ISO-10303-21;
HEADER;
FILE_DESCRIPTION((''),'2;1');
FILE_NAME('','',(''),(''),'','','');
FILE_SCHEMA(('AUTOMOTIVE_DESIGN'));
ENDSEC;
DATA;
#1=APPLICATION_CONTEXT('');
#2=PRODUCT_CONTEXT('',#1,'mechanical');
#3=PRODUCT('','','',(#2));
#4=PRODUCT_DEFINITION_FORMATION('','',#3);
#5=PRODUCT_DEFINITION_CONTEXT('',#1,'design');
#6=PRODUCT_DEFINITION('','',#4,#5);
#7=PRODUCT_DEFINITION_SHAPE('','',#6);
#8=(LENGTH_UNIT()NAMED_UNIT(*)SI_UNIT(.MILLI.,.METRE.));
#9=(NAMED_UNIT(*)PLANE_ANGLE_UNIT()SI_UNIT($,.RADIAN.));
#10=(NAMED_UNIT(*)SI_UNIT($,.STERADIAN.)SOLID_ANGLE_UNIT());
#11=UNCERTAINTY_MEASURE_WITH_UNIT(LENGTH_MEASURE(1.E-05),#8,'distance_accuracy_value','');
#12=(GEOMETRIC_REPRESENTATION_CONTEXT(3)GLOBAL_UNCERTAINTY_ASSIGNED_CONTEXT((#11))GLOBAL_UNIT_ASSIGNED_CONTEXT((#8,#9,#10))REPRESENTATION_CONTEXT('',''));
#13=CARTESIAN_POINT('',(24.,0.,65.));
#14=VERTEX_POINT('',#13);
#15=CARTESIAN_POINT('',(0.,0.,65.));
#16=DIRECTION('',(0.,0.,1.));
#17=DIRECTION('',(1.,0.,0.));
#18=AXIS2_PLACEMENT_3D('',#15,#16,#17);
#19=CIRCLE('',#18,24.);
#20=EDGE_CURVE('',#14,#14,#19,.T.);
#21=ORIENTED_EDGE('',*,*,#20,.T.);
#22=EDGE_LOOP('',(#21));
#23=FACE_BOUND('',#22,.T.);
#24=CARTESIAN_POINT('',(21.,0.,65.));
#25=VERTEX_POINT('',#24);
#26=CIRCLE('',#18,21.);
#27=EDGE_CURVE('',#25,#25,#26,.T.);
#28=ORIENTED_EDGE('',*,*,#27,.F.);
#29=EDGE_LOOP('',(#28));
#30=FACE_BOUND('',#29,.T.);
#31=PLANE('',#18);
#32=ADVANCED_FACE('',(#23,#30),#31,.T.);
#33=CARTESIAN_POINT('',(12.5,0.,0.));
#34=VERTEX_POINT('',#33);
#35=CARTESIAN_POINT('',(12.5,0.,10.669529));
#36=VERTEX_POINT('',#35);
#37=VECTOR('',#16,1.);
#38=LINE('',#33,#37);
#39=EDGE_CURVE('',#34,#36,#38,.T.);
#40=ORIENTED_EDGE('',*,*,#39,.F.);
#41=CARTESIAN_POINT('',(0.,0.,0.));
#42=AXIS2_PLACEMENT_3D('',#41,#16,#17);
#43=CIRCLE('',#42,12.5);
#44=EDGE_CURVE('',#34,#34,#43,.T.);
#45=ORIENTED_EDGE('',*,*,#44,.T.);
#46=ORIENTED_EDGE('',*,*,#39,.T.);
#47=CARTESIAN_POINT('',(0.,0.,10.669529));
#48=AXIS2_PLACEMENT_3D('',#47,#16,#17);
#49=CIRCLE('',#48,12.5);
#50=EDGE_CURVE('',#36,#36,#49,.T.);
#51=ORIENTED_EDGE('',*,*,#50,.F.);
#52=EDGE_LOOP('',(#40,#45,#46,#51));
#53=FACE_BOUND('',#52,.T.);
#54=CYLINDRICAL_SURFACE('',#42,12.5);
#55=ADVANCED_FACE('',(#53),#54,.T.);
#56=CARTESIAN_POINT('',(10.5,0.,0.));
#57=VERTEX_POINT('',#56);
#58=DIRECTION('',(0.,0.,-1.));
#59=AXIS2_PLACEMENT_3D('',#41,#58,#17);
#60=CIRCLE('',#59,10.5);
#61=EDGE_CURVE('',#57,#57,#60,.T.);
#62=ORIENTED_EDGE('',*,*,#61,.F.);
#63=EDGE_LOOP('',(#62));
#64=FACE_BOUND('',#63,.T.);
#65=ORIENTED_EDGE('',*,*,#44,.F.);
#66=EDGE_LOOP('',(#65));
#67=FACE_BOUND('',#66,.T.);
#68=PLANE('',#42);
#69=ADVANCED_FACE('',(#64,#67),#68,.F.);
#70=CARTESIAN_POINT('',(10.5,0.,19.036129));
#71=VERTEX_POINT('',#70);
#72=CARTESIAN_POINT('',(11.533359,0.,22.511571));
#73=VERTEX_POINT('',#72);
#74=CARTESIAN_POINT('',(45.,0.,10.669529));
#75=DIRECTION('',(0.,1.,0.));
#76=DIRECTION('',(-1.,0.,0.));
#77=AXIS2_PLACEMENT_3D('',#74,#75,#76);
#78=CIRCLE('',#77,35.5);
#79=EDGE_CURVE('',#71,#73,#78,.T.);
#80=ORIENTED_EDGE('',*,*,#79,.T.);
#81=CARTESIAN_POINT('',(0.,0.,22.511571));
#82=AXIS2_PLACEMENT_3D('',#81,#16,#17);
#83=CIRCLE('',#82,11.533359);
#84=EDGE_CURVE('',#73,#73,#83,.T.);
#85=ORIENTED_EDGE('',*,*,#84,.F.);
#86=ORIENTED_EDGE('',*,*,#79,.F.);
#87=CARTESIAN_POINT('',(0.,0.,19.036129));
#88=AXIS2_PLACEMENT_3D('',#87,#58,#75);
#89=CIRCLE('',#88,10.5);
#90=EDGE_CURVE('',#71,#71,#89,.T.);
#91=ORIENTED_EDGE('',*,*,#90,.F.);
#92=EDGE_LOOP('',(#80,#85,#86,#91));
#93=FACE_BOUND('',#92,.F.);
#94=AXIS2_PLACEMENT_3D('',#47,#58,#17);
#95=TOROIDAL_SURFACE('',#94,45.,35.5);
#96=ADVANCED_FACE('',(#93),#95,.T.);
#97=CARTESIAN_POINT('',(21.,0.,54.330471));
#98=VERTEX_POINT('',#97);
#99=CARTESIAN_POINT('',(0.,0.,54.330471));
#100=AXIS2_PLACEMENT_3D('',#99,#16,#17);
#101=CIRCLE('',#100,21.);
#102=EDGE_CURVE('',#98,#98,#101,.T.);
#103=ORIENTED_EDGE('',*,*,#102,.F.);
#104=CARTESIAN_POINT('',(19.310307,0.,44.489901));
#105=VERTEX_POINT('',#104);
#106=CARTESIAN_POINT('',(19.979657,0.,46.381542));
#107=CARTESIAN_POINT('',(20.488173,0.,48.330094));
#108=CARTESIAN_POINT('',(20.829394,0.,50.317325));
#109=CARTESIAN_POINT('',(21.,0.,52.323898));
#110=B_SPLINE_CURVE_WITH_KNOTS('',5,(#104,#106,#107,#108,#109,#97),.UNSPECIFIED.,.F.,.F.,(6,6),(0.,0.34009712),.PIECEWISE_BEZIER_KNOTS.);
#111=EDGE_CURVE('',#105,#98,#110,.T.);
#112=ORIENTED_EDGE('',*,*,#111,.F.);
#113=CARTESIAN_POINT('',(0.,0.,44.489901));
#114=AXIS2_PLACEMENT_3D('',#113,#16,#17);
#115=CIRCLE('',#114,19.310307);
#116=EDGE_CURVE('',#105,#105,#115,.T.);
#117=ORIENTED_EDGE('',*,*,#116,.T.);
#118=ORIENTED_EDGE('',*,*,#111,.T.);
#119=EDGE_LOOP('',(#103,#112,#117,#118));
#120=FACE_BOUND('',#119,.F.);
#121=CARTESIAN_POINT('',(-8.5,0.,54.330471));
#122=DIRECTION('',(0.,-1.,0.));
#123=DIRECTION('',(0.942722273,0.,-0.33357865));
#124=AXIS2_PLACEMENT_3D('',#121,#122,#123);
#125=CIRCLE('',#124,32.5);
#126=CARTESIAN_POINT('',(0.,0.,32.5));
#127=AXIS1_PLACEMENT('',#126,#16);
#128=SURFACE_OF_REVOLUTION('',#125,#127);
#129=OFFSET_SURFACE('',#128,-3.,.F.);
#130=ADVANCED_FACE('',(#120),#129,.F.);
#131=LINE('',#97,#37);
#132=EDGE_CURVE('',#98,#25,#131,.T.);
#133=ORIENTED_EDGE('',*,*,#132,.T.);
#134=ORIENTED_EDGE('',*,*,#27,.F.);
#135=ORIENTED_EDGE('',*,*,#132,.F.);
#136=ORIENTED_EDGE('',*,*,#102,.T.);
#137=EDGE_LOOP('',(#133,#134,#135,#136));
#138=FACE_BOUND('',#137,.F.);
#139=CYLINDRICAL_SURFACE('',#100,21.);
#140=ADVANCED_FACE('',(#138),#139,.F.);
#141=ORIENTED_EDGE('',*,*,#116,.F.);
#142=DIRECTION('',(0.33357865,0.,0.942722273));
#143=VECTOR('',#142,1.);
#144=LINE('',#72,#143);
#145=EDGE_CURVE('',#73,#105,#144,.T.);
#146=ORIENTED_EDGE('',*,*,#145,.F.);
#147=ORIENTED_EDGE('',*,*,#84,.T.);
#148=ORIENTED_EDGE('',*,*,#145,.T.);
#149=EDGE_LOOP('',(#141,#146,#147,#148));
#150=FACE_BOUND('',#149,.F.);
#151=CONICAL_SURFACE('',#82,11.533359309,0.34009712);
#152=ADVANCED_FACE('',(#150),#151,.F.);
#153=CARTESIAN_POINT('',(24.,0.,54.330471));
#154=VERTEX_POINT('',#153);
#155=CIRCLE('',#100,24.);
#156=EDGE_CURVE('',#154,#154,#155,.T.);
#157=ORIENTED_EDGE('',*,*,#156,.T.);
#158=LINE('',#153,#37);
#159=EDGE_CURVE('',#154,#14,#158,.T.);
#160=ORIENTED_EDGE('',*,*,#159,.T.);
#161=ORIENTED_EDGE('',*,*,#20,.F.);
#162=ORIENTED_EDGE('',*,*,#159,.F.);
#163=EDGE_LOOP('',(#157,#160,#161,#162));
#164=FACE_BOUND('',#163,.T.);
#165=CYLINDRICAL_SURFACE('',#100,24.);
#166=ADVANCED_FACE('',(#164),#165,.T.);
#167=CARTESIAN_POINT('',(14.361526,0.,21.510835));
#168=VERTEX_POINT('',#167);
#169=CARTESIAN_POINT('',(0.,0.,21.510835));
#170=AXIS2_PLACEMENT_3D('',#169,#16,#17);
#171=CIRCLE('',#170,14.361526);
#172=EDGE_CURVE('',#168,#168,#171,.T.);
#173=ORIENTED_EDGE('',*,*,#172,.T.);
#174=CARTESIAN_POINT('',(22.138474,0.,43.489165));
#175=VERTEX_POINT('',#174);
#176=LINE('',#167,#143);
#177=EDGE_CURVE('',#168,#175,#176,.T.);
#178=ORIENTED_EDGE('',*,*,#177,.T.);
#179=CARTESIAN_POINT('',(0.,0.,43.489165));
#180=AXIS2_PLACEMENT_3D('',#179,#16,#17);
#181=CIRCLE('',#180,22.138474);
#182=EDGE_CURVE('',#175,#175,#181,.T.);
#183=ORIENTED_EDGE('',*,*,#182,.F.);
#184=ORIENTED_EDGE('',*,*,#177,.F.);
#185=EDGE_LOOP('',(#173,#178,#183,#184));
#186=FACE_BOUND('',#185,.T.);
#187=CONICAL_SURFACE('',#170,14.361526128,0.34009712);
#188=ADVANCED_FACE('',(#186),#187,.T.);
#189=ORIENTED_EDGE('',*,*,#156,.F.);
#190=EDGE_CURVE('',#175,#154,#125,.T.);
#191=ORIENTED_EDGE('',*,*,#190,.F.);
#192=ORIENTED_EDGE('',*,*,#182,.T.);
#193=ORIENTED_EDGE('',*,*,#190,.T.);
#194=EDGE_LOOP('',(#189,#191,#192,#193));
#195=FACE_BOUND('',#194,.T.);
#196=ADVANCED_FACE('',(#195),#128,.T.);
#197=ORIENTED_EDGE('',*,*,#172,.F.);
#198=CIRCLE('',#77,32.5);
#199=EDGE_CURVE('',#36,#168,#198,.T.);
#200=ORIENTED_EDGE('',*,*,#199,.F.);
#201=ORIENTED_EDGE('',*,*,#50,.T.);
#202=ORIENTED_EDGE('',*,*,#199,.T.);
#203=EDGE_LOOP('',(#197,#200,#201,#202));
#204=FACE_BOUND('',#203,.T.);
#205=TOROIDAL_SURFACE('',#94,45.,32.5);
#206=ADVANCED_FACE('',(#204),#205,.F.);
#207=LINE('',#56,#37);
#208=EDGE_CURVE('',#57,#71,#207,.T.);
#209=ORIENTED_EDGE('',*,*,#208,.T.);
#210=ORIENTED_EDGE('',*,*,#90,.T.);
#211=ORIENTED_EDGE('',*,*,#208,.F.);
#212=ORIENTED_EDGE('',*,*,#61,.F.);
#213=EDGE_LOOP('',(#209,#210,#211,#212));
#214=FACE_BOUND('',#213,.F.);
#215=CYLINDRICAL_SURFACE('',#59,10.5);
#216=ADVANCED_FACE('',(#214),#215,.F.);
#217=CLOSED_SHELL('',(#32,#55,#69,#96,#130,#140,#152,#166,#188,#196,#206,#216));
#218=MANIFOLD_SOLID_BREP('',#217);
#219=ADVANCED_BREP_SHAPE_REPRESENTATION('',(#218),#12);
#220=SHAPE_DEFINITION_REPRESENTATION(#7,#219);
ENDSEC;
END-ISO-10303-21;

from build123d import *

# Parameters (mm, degrees)
F5_T     = -3
F4_R     = 10.5
F6_DEPTH = 65.001


with BuildPart() as f2:
    # F1 (on Front) → F2 (revolve)
    with BuildSketch(Plane.XZ):
        with BuildLine():
            Line((0, 65), (0, 0))
            Line((0, 0), (12.5, 0))
            Line((12.5, 0), (12.5, 10.6695285708))
            ThreePointArc((12.5, 10.6695285708), (12.9687621154, 16.169510351), (14.3615261282, 21.51083471))
            Line((14.3615261282, 21.51083471), (22.1384738718, 43.48916529))
            ThreePointArc((22.1384738718, 43.48916529), (23.5312378846, 48.830489649), (24, 54.3304714292))
            Line((24, 54.3304714292), (24, 65))
            Line((24, 65), (0, 65))
        make_face()
    revolve(axis=Axis((0, 0, 32.5), (0, 0, 1)))

    # F5
    f5_openings = [f2.faces().sort_by_distance(p)[0] for p in [
        (0, 0, 65),
    ]]
    offset(amount=F5_T, openings=f5_openings)

    # F4 (on face) → F6 (cut, through all)
    with BuildSketch(Plane(origin=(0, 0, 0), x_dir=(1, 0, 0), z_dir=(0, 0, -1))):
        Circle(F4_R)
    extrude(amount=-F6_DEPTH, mode=Mode.SUBTRACT)


solid = f2.part
